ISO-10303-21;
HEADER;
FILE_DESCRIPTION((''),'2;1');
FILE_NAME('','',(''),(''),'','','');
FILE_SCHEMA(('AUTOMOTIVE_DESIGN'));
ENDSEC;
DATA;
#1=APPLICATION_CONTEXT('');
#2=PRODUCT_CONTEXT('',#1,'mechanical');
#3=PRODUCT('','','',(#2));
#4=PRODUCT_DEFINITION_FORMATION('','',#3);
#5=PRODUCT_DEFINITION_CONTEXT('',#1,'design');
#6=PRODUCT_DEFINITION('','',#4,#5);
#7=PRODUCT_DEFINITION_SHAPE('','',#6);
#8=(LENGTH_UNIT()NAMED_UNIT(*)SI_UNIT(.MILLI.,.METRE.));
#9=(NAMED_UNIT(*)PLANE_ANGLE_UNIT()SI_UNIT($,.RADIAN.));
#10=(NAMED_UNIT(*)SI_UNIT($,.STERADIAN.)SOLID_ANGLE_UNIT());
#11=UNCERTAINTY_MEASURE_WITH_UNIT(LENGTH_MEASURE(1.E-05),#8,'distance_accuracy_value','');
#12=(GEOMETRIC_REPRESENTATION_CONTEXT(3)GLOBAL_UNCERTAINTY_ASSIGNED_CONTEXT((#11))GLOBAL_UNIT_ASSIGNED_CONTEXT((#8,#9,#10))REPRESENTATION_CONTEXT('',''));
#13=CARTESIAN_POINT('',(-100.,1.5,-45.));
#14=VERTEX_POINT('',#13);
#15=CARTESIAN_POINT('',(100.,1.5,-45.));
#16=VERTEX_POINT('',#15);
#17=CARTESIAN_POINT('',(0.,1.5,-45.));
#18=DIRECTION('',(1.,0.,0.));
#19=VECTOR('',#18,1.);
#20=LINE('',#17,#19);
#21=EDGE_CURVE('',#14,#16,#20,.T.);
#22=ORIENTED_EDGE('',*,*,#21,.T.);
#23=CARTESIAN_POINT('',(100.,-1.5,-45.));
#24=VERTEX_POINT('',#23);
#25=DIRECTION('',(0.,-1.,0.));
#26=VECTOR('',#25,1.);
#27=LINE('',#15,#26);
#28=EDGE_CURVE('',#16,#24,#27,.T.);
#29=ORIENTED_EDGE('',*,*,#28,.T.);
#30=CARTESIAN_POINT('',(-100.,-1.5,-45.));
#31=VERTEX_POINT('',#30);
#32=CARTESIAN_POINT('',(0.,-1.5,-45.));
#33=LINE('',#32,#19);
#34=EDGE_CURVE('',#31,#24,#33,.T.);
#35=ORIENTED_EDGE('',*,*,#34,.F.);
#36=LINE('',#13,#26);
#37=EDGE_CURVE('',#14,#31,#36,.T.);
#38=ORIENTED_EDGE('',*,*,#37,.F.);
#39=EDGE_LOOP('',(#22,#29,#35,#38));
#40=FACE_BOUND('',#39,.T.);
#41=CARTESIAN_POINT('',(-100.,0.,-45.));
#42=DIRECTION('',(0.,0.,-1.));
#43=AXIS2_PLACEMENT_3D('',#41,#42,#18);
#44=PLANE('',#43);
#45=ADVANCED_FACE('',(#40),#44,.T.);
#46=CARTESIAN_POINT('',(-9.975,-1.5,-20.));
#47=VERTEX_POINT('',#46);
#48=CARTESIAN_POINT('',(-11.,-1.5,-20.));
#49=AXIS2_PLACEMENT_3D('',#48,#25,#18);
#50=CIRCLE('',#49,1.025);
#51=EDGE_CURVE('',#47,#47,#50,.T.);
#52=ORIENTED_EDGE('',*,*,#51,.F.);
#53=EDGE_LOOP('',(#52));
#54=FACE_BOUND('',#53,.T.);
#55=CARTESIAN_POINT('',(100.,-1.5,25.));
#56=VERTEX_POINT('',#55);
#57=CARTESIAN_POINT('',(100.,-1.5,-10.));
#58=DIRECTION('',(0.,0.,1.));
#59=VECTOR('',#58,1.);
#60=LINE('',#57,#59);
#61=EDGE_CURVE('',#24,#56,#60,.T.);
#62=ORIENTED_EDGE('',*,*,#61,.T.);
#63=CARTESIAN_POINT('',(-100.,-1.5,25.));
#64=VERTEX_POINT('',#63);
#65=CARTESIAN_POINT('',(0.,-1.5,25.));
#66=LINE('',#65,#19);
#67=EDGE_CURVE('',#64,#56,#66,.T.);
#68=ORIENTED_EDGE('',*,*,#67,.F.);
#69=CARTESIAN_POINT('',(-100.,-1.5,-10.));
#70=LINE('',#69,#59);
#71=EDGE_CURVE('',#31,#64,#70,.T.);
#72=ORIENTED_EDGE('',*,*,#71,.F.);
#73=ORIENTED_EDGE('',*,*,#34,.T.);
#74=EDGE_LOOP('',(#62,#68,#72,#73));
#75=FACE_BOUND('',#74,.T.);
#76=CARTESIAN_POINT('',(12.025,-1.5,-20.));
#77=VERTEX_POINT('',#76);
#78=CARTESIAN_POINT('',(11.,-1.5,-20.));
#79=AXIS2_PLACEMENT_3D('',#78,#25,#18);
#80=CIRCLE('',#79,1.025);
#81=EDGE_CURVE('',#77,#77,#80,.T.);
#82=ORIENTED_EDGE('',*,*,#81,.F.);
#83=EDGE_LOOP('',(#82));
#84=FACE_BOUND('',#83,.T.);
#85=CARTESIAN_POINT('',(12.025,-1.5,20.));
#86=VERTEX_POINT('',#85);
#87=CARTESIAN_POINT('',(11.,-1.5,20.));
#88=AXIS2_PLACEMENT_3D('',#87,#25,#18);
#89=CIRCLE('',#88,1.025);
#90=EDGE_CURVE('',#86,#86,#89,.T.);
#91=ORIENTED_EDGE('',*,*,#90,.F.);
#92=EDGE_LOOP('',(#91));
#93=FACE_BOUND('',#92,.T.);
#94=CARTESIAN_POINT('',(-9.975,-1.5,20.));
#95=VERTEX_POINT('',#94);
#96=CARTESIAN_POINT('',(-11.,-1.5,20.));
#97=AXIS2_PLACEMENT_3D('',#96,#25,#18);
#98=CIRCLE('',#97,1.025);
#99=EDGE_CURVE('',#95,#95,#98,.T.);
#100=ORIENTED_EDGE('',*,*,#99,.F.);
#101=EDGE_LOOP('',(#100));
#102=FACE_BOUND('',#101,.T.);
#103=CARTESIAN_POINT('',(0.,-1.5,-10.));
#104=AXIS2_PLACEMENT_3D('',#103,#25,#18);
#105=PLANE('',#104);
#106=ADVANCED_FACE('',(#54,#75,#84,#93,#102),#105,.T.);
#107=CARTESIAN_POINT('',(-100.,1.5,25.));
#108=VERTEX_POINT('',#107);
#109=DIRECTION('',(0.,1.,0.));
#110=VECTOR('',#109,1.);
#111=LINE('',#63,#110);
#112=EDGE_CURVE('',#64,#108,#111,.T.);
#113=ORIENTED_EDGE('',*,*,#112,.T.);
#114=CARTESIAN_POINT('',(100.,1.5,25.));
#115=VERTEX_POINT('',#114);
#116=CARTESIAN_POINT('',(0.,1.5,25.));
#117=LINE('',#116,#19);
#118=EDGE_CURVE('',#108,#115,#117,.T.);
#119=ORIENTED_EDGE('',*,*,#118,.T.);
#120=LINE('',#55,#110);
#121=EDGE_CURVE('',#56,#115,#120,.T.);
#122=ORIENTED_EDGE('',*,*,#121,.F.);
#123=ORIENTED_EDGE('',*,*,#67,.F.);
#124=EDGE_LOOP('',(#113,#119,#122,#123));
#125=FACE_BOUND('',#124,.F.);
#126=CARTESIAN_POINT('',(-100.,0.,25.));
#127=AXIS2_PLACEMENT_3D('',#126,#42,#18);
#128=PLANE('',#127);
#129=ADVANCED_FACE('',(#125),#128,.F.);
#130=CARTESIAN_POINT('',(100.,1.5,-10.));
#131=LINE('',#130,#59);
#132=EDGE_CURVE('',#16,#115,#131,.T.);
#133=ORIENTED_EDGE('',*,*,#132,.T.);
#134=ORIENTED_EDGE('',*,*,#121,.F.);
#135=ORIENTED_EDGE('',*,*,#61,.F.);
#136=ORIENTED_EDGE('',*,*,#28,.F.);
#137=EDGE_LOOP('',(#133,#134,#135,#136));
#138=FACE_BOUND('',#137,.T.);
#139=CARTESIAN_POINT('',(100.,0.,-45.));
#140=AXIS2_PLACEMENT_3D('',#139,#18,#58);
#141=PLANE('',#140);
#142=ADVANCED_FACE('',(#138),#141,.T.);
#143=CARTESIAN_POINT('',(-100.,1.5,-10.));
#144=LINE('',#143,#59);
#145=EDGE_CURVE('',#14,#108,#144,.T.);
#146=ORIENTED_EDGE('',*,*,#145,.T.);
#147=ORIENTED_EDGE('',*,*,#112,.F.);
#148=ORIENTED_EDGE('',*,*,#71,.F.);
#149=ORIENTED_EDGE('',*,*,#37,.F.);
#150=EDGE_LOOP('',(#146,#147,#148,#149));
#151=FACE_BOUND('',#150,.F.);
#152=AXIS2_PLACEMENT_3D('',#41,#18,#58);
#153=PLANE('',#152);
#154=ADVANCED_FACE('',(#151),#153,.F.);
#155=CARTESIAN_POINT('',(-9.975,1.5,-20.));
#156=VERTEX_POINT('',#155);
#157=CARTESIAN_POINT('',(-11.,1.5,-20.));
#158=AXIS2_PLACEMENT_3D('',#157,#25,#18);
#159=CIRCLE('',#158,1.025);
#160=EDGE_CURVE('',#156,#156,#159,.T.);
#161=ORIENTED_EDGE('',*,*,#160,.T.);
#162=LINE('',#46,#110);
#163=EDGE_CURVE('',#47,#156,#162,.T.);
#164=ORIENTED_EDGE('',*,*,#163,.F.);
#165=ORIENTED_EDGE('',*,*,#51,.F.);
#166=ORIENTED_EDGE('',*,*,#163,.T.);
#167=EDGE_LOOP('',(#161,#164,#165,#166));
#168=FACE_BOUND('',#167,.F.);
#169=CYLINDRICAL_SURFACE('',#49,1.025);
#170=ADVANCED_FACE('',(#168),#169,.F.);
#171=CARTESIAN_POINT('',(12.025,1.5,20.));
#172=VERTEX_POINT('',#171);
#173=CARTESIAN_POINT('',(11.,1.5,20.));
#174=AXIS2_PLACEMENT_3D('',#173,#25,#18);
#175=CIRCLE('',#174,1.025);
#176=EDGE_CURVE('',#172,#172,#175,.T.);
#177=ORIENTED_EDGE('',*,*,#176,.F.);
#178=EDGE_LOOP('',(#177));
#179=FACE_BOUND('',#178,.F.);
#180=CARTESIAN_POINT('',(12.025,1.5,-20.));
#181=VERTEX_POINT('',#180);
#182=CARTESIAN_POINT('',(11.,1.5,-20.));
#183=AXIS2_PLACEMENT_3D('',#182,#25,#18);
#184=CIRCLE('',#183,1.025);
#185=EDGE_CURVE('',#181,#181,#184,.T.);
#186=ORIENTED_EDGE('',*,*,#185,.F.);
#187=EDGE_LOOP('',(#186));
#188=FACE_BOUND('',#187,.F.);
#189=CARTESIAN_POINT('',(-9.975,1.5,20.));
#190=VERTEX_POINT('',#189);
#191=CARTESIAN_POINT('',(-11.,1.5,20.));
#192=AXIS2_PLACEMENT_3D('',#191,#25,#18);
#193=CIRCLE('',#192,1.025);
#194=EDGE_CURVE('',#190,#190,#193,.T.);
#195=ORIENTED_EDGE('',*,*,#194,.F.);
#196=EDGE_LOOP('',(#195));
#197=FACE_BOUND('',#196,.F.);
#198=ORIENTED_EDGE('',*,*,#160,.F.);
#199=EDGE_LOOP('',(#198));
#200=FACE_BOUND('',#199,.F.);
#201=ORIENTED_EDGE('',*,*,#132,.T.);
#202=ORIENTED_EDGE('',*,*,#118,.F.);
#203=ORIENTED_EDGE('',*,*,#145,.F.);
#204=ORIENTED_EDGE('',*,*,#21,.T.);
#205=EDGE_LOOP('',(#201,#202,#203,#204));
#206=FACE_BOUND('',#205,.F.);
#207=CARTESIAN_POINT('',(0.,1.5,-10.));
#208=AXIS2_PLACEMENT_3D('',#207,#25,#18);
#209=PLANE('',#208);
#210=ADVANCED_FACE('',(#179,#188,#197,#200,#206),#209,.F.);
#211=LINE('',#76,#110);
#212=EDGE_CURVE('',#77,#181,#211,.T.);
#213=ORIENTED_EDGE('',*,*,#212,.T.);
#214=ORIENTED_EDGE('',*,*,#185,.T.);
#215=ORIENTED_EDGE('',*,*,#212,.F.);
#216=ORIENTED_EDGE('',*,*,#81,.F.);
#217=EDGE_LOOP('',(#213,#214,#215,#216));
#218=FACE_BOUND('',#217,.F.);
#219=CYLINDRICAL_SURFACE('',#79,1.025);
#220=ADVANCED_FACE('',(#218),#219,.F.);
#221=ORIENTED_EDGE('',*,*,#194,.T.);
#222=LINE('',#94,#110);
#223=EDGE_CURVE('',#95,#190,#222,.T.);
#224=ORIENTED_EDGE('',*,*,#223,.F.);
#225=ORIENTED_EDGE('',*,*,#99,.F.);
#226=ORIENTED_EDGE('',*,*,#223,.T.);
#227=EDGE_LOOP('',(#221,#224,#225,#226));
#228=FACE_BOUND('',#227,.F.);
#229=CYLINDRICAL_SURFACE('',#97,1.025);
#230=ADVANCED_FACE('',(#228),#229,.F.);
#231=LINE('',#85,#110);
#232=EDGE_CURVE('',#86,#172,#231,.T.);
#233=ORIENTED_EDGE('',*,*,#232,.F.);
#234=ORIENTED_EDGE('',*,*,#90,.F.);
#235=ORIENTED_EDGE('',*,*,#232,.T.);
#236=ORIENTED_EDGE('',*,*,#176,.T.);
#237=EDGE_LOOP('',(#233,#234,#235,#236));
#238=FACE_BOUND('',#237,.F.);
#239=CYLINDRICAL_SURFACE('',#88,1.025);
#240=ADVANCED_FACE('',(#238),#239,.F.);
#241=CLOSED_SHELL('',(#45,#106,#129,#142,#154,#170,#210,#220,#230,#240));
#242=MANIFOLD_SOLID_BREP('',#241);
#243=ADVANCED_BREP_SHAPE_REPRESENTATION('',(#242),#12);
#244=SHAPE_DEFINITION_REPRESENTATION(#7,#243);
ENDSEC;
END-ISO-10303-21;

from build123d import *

# Parameters (mm, degrees)
F0_W     = 200
F0_H     = 70
F1_DEPTH = 1.5
F2_R     = 1.025
F3_DEPTH = 3


with BuildPart() as f1:
    # F0 (on Front) → F1 (new body, symmetric)
    with BuildSketch(Plane.XZ):
        with Locations((0, -10)):
            Rectangle(F0_W, F0_H)
    extrude(amount=F1_DEPTH, both=True)

    # F2 (on face) → F3 (cut, through all)
    with BuildSketch(Plane.XZ.offset(1.5)):
        with Locations((-11, 20)):
            Circle(F2_R)
        with Locations((11, 20)):
            Circle(F2_R)
        with Locations((11, -20)):
            Circle(F2_R)
        with Locations((-11, -20)):
            Circle(F2_R)
    extrude(amount=-F3_DEPTH, mode=Mode.SUBTRACT)


solid = f1.part
